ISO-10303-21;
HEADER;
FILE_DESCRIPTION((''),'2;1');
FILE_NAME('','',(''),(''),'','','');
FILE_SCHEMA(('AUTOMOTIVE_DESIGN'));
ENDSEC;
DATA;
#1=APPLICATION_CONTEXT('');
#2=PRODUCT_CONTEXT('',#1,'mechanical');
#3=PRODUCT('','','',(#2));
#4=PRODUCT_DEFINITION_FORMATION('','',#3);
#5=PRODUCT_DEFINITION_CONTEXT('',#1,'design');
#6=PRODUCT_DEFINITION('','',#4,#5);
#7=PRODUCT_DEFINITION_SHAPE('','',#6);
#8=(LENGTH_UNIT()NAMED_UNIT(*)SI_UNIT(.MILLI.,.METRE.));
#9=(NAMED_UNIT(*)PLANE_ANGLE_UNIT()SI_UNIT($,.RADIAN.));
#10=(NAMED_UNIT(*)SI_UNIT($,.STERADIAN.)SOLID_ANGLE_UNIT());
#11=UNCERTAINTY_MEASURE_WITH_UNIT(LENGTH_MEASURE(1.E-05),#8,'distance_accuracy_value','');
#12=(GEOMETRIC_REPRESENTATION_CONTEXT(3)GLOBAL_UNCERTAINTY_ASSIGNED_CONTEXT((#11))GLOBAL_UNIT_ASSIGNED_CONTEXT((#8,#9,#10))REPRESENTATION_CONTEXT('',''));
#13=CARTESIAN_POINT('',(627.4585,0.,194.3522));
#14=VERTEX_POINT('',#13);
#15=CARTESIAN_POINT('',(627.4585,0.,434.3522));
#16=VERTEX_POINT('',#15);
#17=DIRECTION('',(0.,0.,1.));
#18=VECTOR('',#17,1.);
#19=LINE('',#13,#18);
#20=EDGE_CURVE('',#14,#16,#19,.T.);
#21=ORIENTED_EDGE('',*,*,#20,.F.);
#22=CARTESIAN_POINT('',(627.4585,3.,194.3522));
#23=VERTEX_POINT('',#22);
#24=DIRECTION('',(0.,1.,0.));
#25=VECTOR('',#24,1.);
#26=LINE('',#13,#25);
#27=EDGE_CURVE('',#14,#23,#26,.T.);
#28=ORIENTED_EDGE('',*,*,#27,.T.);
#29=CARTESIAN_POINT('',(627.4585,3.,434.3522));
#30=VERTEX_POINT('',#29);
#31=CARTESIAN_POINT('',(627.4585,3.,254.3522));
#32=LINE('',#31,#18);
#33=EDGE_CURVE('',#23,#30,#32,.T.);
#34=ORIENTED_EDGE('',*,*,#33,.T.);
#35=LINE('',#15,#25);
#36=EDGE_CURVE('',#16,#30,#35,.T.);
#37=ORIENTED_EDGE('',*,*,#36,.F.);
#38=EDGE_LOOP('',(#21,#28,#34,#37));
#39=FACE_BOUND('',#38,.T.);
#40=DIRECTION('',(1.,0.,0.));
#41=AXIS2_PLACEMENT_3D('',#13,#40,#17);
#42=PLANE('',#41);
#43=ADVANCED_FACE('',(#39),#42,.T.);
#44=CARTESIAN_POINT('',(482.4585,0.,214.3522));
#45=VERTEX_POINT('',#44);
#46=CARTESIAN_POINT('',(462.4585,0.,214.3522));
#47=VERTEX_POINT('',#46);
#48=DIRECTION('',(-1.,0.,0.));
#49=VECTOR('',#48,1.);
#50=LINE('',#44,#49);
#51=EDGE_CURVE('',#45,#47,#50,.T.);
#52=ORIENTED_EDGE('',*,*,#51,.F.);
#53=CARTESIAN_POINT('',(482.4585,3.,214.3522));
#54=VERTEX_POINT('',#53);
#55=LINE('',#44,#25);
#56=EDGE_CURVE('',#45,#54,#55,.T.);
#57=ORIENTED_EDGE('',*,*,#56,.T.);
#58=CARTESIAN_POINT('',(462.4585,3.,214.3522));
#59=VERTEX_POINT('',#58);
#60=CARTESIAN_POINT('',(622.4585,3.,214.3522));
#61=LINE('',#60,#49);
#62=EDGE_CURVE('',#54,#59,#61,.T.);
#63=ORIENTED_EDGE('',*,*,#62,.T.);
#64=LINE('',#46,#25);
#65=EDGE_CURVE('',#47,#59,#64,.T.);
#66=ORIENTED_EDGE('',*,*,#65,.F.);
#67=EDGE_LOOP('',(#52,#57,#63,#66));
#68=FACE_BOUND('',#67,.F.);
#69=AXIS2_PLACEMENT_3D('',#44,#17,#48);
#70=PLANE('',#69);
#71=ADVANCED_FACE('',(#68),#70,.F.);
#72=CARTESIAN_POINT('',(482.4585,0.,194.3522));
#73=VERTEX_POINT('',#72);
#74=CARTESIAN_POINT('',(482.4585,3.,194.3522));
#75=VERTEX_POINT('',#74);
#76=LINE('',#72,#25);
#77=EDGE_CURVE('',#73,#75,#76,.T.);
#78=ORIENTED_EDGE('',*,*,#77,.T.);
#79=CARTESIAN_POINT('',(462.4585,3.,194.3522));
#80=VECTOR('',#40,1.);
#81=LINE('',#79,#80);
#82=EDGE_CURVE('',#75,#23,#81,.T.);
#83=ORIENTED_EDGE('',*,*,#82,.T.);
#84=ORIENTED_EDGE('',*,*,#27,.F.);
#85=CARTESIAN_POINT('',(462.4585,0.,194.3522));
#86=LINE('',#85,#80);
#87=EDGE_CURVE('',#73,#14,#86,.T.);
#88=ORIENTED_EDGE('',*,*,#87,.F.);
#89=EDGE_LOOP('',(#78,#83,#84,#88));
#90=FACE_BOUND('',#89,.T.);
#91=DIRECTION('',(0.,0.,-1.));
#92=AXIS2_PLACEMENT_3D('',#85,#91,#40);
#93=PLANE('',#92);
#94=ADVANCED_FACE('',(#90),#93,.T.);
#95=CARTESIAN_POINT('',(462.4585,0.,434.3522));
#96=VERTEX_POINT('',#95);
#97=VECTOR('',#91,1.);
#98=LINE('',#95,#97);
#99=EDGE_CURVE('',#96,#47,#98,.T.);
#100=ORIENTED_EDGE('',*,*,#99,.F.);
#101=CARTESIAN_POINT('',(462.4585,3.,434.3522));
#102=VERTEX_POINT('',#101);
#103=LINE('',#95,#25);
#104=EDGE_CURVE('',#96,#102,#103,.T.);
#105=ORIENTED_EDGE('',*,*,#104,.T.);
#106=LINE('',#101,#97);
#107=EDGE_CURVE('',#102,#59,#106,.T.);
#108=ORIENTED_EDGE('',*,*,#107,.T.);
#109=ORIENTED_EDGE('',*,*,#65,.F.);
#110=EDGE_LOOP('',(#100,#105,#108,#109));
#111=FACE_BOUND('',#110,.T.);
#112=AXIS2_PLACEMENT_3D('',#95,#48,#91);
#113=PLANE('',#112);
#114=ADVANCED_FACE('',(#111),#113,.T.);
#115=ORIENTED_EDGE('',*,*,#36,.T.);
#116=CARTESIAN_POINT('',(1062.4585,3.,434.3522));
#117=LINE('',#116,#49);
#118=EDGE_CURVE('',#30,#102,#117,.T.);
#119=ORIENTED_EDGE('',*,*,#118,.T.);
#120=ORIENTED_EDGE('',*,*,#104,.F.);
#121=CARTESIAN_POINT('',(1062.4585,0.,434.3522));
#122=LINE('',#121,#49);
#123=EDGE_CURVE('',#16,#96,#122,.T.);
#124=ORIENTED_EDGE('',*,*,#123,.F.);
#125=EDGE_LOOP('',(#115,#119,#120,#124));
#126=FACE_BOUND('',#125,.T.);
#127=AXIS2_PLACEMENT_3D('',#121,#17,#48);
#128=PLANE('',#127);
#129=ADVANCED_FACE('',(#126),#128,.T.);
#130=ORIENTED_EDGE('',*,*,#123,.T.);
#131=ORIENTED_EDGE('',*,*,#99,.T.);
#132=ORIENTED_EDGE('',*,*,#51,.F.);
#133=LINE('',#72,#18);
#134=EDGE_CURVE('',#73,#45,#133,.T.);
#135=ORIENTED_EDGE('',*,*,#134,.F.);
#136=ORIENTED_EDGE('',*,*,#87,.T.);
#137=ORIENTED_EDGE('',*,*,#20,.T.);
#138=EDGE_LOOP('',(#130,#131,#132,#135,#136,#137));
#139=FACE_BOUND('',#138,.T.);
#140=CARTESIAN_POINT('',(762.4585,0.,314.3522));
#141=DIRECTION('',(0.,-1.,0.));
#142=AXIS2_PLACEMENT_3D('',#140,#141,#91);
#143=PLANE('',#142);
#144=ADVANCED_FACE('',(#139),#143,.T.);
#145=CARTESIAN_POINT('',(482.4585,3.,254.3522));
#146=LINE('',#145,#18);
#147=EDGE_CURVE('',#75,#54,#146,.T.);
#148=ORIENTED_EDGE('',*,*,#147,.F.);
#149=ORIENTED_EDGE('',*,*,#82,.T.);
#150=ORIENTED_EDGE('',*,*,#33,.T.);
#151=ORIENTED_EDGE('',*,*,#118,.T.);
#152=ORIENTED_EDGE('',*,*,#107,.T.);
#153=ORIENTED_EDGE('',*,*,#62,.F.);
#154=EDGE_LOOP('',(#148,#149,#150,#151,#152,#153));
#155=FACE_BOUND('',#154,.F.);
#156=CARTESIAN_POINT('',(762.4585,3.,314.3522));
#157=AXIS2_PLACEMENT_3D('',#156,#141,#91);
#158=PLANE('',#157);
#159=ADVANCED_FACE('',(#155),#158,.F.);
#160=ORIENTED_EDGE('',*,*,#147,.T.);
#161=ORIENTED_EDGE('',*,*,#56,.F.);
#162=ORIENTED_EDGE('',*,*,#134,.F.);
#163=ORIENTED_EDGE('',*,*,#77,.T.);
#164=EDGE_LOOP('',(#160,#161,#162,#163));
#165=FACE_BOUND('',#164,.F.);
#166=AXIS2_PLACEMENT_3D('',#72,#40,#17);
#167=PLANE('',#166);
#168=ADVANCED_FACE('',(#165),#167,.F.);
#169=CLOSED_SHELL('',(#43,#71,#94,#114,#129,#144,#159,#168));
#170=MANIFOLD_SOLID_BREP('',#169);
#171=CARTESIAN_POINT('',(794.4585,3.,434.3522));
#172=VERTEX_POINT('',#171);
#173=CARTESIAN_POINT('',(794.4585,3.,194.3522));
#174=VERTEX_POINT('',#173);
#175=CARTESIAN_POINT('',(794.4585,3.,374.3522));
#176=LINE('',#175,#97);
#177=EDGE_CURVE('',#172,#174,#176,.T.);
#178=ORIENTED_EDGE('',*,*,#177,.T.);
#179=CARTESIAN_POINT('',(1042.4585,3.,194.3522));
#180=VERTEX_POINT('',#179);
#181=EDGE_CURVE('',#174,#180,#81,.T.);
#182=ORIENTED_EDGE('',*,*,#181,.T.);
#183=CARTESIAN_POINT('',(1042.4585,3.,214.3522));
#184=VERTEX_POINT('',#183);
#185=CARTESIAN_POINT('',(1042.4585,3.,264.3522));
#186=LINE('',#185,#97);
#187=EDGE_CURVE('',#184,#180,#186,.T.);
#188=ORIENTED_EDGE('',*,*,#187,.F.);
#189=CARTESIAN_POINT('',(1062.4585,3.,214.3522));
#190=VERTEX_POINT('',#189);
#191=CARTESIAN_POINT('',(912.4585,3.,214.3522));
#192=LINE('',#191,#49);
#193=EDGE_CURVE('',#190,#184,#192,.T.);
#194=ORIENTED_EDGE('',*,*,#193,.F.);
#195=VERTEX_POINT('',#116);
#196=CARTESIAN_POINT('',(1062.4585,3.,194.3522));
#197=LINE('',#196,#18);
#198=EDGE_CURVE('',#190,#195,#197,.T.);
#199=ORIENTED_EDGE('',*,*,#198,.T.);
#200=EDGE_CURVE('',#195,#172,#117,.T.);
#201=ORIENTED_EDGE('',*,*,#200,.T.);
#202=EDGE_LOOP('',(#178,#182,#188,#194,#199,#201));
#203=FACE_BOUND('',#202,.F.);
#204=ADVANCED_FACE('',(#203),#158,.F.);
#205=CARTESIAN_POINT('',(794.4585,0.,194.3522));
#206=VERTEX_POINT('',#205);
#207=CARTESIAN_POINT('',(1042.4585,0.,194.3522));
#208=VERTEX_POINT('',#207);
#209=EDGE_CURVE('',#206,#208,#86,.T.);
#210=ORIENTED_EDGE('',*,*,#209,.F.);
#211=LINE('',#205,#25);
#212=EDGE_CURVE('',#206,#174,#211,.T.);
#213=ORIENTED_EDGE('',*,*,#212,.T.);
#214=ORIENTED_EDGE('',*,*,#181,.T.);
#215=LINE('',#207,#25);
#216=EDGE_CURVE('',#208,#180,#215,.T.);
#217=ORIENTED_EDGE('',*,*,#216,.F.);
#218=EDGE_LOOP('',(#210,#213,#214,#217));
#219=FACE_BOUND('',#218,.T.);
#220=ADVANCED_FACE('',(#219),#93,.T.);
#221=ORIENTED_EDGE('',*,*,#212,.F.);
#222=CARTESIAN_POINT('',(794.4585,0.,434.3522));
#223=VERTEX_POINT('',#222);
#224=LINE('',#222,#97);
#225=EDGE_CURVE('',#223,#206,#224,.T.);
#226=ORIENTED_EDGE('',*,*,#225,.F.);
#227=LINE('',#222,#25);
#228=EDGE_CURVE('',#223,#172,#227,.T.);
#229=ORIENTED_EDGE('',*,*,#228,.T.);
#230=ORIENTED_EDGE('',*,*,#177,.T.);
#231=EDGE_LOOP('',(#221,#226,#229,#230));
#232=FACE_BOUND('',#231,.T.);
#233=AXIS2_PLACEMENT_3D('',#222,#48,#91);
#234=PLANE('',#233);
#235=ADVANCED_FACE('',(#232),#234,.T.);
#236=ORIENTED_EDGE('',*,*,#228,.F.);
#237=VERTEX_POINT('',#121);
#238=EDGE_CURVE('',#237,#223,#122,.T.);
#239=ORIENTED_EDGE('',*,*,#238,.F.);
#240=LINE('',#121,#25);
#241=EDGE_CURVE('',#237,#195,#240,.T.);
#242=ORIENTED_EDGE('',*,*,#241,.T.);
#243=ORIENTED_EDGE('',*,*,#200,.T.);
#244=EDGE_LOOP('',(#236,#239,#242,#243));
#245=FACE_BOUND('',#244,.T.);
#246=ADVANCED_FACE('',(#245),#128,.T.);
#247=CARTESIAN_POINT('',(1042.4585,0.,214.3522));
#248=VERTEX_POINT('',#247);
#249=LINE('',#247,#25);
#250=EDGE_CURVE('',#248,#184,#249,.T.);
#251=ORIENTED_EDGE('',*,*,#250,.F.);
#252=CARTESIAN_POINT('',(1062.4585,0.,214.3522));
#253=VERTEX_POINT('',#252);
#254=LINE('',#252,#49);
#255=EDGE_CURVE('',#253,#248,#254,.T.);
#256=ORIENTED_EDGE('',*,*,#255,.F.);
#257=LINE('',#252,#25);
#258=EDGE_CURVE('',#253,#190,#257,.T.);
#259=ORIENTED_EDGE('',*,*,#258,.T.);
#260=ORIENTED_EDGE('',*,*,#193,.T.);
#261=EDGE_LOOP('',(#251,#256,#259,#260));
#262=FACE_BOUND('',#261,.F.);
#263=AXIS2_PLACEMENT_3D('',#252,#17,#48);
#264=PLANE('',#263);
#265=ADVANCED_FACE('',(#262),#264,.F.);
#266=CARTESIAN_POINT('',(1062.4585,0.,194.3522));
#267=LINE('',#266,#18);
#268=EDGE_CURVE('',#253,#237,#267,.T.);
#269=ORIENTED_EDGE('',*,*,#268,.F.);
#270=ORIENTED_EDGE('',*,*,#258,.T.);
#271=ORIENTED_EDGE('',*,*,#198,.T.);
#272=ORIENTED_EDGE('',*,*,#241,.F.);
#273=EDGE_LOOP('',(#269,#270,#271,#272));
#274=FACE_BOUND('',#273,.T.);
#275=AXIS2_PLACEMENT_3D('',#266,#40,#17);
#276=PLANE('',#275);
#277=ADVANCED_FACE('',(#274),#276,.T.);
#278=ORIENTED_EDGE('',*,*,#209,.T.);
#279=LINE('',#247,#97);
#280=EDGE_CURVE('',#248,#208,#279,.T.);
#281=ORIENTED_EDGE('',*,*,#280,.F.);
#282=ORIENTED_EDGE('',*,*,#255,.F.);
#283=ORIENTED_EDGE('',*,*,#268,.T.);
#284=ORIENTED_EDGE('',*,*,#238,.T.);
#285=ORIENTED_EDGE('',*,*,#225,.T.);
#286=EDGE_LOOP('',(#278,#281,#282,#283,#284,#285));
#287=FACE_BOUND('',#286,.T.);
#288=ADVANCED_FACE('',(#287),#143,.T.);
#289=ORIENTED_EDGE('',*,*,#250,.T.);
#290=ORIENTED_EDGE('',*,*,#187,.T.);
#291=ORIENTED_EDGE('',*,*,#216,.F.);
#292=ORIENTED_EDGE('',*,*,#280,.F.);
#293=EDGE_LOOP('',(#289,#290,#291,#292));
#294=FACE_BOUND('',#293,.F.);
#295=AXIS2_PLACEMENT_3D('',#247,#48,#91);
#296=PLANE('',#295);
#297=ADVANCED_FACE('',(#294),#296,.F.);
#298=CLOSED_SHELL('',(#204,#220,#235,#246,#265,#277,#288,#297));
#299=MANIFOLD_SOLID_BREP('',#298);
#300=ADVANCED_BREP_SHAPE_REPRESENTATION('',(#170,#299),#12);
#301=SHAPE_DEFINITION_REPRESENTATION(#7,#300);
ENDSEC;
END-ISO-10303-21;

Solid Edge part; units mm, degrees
sketch "Sketch1" plane through (0, 0, 0) normal (0, -1, 0) x (1, 0, 0)
  line L0 (462.4585, 434.3522) -> (462.4585, 194.3522)
  line L1 (462.4585, 194.3522) -> (1062.4585, 194.3522)
  line L2 (1062.4585, 194.3522) -> (1062.4585, 434.3522)
  line L3 (1062.4585, 434.3522) -> (462.4585, 434.3522)
  dimension "D1" = 600
  dimension "D2" = 240
extrude "Protrusion1" add sketch "Sketch1" against normal blind 3
sketch "Sketch2" plane through (762.4585, 0, 314.3522) normal (0, -1, 0) x (1, 0, 0)
  line L0 (300, -100) -> (280, -100)
  line L1 (280, -100) -> (280, -120)
  line L2 (280, -120) -> (300, -120)
  line L3 (300, -120) -> (300, -100)
  line L4 (-300, -120) -> (-280, -120)
  line L5 (-280, -120) -> (-280, -100)
  line L6 (-280, -100) -> (-300, -100)
  line L7 (-300, -100) -> (-300, -120)
  dimension "D1" = 20
  dimension "D2" = 20
  dimension "D3" = 20
  dimension "D4" = 20
extrude "Cutout1" cut sketch "Sketch2" against normal through all
sketch "Sketch3" plane through (762.4585, 0, 314.3522) normal (0, -1, 0) x (1, 0, 0)
  line L0 (-135, -120) -> (-135, 120)
  line L1 (-135, 120) -> (32, 120)
  line L2 (32, 120) -> (32, -120)
  line L3 (32, -120) -> (-135, -120)
extrude "Cutout2" cut sketch "Sketch3" against normal through all
